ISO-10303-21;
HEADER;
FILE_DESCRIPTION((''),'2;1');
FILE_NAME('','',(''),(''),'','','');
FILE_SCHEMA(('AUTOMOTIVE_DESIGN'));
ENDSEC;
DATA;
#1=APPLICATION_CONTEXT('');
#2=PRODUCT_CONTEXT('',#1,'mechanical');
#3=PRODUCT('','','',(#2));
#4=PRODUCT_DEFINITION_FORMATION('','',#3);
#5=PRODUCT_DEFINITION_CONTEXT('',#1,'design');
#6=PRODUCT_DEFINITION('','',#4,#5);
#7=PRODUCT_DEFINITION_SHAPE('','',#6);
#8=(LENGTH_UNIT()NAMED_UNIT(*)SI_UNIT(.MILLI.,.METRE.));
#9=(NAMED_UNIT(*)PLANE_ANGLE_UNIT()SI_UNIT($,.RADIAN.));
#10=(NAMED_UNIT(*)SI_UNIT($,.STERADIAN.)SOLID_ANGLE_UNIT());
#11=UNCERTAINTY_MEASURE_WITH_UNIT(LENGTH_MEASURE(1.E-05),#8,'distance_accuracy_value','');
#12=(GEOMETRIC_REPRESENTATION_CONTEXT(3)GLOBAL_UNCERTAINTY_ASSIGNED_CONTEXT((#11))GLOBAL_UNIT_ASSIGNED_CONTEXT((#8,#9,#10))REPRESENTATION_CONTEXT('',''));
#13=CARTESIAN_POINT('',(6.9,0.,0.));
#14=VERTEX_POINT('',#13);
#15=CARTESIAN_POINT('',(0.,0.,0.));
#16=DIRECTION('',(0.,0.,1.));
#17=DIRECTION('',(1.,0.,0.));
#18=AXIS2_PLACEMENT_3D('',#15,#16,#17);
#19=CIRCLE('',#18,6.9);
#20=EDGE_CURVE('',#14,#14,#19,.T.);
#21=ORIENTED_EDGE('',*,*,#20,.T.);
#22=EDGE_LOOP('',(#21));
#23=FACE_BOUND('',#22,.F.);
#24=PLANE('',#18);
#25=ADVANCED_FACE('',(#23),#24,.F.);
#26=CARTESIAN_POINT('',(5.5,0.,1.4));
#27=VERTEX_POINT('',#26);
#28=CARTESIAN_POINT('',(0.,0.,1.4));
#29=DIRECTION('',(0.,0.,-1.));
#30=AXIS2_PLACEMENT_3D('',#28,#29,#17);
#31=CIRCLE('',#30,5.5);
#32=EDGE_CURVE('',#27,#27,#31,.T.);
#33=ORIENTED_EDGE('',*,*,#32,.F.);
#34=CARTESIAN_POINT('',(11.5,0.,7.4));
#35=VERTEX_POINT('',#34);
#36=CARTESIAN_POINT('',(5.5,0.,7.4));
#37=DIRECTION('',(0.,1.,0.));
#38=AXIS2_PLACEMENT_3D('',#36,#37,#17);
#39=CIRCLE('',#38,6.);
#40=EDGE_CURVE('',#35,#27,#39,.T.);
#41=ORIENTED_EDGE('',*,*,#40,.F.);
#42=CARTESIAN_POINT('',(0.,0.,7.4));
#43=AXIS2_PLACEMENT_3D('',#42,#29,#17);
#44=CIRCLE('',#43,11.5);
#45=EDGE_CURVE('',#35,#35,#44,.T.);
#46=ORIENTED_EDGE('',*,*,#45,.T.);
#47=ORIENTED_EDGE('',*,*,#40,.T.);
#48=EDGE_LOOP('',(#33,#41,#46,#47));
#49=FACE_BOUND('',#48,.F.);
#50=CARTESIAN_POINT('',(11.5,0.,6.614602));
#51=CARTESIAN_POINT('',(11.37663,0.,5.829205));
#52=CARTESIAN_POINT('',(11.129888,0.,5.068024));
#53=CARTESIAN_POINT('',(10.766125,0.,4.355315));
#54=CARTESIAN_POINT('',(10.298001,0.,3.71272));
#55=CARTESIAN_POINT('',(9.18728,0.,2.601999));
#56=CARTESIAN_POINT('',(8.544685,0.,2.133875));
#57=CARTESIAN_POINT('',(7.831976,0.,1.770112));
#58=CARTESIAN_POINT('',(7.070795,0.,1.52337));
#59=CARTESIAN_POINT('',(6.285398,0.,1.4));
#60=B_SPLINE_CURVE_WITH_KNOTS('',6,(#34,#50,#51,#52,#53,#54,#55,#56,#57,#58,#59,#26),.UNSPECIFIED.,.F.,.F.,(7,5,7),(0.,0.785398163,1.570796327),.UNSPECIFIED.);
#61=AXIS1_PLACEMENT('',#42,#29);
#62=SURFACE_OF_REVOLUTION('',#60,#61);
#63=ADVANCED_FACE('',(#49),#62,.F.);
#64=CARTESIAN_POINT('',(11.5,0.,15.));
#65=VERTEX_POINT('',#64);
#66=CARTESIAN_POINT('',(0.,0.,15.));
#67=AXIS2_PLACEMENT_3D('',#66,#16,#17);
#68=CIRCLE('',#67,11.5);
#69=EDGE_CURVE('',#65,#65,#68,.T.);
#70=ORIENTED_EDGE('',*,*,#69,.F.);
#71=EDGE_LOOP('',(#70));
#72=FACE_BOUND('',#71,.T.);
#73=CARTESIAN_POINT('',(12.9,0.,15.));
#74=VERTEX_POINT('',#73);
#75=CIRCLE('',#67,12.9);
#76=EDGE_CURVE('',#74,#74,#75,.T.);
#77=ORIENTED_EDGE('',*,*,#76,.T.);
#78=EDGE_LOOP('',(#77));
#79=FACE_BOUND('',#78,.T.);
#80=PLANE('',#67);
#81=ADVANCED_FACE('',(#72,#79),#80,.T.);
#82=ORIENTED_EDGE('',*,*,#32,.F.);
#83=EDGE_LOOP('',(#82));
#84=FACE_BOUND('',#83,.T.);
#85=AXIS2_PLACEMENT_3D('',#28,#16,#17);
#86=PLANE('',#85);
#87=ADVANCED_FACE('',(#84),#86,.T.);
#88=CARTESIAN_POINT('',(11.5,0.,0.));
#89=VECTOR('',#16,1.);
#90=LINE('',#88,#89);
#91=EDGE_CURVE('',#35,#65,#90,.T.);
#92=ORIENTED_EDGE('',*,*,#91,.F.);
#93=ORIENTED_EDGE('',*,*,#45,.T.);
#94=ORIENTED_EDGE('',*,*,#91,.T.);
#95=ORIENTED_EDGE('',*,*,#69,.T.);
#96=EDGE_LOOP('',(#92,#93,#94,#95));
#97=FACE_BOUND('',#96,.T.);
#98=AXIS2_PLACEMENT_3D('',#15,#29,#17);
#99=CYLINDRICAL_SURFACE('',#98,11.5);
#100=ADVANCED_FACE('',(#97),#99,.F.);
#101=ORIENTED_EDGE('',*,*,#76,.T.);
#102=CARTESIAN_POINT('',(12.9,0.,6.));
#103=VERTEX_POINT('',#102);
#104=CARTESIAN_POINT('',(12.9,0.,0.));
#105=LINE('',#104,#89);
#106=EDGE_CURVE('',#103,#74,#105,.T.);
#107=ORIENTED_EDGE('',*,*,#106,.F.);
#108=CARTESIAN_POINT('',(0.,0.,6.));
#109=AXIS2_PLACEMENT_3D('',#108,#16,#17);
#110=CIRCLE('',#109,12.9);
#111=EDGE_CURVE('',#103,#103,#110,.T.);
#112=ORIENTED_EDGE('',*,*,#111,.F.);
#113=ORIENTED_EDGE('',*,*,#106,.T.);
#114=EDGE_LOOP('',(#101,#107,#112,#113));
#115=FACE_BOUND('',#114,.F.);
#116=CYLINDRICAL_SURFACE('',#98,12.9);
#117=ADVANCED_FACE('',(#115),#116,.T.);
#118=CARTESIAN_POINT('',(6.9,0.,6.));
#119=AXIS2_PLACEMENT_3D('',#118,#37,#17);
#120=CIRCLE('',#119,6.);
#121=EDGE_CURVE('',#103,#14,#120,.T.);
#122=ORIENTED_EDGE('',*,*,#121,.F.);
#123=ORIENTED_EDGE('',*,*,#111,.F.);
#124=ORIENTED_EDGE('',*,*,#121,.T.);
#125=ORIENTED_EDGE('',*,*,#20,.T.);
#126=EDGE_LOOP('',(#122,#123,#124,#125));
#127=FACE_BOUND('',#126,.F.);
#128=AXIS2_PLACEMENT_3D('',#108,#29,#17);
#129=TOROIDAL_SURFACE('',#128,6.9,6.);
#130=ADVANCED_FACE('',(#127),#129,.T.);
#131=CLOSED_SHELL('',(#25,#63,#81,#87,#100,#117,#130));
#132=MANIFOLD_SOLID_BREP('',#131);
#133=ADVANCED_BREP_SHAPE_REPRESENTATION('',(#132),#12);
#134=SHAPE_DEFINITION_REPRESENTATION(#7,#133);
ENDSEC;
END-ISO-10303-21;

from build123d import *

# Parameters (mm, degrees)
F0_R     = 12.9
F1_DEPTH = 15
F2_T     = -1.4
F3_R     = 6


with BuildPart() as f1:
    # F0 (on Top) → F1 (new body)
    with BuildSketch(Plane.XY):
        Circle(F0_R)
    extrude(amount=F1_DEPTH)

    # F2
    f2_openings = [f1.faces().sort_by_distance(p)[0] for p in [
        (0, 0, 15),
    ]]
    offset(amount=F2_T, openings=f2_openings)

    # F3
    f3_edges = [f1.edges().sort_by_distance(p)[0] for p in [
        (-11.5, 0, 1.4),
        (-12.9, 0, 0),
    ]]
    fillet(f3_edges, radius=F3_R)


solid = f1.part
